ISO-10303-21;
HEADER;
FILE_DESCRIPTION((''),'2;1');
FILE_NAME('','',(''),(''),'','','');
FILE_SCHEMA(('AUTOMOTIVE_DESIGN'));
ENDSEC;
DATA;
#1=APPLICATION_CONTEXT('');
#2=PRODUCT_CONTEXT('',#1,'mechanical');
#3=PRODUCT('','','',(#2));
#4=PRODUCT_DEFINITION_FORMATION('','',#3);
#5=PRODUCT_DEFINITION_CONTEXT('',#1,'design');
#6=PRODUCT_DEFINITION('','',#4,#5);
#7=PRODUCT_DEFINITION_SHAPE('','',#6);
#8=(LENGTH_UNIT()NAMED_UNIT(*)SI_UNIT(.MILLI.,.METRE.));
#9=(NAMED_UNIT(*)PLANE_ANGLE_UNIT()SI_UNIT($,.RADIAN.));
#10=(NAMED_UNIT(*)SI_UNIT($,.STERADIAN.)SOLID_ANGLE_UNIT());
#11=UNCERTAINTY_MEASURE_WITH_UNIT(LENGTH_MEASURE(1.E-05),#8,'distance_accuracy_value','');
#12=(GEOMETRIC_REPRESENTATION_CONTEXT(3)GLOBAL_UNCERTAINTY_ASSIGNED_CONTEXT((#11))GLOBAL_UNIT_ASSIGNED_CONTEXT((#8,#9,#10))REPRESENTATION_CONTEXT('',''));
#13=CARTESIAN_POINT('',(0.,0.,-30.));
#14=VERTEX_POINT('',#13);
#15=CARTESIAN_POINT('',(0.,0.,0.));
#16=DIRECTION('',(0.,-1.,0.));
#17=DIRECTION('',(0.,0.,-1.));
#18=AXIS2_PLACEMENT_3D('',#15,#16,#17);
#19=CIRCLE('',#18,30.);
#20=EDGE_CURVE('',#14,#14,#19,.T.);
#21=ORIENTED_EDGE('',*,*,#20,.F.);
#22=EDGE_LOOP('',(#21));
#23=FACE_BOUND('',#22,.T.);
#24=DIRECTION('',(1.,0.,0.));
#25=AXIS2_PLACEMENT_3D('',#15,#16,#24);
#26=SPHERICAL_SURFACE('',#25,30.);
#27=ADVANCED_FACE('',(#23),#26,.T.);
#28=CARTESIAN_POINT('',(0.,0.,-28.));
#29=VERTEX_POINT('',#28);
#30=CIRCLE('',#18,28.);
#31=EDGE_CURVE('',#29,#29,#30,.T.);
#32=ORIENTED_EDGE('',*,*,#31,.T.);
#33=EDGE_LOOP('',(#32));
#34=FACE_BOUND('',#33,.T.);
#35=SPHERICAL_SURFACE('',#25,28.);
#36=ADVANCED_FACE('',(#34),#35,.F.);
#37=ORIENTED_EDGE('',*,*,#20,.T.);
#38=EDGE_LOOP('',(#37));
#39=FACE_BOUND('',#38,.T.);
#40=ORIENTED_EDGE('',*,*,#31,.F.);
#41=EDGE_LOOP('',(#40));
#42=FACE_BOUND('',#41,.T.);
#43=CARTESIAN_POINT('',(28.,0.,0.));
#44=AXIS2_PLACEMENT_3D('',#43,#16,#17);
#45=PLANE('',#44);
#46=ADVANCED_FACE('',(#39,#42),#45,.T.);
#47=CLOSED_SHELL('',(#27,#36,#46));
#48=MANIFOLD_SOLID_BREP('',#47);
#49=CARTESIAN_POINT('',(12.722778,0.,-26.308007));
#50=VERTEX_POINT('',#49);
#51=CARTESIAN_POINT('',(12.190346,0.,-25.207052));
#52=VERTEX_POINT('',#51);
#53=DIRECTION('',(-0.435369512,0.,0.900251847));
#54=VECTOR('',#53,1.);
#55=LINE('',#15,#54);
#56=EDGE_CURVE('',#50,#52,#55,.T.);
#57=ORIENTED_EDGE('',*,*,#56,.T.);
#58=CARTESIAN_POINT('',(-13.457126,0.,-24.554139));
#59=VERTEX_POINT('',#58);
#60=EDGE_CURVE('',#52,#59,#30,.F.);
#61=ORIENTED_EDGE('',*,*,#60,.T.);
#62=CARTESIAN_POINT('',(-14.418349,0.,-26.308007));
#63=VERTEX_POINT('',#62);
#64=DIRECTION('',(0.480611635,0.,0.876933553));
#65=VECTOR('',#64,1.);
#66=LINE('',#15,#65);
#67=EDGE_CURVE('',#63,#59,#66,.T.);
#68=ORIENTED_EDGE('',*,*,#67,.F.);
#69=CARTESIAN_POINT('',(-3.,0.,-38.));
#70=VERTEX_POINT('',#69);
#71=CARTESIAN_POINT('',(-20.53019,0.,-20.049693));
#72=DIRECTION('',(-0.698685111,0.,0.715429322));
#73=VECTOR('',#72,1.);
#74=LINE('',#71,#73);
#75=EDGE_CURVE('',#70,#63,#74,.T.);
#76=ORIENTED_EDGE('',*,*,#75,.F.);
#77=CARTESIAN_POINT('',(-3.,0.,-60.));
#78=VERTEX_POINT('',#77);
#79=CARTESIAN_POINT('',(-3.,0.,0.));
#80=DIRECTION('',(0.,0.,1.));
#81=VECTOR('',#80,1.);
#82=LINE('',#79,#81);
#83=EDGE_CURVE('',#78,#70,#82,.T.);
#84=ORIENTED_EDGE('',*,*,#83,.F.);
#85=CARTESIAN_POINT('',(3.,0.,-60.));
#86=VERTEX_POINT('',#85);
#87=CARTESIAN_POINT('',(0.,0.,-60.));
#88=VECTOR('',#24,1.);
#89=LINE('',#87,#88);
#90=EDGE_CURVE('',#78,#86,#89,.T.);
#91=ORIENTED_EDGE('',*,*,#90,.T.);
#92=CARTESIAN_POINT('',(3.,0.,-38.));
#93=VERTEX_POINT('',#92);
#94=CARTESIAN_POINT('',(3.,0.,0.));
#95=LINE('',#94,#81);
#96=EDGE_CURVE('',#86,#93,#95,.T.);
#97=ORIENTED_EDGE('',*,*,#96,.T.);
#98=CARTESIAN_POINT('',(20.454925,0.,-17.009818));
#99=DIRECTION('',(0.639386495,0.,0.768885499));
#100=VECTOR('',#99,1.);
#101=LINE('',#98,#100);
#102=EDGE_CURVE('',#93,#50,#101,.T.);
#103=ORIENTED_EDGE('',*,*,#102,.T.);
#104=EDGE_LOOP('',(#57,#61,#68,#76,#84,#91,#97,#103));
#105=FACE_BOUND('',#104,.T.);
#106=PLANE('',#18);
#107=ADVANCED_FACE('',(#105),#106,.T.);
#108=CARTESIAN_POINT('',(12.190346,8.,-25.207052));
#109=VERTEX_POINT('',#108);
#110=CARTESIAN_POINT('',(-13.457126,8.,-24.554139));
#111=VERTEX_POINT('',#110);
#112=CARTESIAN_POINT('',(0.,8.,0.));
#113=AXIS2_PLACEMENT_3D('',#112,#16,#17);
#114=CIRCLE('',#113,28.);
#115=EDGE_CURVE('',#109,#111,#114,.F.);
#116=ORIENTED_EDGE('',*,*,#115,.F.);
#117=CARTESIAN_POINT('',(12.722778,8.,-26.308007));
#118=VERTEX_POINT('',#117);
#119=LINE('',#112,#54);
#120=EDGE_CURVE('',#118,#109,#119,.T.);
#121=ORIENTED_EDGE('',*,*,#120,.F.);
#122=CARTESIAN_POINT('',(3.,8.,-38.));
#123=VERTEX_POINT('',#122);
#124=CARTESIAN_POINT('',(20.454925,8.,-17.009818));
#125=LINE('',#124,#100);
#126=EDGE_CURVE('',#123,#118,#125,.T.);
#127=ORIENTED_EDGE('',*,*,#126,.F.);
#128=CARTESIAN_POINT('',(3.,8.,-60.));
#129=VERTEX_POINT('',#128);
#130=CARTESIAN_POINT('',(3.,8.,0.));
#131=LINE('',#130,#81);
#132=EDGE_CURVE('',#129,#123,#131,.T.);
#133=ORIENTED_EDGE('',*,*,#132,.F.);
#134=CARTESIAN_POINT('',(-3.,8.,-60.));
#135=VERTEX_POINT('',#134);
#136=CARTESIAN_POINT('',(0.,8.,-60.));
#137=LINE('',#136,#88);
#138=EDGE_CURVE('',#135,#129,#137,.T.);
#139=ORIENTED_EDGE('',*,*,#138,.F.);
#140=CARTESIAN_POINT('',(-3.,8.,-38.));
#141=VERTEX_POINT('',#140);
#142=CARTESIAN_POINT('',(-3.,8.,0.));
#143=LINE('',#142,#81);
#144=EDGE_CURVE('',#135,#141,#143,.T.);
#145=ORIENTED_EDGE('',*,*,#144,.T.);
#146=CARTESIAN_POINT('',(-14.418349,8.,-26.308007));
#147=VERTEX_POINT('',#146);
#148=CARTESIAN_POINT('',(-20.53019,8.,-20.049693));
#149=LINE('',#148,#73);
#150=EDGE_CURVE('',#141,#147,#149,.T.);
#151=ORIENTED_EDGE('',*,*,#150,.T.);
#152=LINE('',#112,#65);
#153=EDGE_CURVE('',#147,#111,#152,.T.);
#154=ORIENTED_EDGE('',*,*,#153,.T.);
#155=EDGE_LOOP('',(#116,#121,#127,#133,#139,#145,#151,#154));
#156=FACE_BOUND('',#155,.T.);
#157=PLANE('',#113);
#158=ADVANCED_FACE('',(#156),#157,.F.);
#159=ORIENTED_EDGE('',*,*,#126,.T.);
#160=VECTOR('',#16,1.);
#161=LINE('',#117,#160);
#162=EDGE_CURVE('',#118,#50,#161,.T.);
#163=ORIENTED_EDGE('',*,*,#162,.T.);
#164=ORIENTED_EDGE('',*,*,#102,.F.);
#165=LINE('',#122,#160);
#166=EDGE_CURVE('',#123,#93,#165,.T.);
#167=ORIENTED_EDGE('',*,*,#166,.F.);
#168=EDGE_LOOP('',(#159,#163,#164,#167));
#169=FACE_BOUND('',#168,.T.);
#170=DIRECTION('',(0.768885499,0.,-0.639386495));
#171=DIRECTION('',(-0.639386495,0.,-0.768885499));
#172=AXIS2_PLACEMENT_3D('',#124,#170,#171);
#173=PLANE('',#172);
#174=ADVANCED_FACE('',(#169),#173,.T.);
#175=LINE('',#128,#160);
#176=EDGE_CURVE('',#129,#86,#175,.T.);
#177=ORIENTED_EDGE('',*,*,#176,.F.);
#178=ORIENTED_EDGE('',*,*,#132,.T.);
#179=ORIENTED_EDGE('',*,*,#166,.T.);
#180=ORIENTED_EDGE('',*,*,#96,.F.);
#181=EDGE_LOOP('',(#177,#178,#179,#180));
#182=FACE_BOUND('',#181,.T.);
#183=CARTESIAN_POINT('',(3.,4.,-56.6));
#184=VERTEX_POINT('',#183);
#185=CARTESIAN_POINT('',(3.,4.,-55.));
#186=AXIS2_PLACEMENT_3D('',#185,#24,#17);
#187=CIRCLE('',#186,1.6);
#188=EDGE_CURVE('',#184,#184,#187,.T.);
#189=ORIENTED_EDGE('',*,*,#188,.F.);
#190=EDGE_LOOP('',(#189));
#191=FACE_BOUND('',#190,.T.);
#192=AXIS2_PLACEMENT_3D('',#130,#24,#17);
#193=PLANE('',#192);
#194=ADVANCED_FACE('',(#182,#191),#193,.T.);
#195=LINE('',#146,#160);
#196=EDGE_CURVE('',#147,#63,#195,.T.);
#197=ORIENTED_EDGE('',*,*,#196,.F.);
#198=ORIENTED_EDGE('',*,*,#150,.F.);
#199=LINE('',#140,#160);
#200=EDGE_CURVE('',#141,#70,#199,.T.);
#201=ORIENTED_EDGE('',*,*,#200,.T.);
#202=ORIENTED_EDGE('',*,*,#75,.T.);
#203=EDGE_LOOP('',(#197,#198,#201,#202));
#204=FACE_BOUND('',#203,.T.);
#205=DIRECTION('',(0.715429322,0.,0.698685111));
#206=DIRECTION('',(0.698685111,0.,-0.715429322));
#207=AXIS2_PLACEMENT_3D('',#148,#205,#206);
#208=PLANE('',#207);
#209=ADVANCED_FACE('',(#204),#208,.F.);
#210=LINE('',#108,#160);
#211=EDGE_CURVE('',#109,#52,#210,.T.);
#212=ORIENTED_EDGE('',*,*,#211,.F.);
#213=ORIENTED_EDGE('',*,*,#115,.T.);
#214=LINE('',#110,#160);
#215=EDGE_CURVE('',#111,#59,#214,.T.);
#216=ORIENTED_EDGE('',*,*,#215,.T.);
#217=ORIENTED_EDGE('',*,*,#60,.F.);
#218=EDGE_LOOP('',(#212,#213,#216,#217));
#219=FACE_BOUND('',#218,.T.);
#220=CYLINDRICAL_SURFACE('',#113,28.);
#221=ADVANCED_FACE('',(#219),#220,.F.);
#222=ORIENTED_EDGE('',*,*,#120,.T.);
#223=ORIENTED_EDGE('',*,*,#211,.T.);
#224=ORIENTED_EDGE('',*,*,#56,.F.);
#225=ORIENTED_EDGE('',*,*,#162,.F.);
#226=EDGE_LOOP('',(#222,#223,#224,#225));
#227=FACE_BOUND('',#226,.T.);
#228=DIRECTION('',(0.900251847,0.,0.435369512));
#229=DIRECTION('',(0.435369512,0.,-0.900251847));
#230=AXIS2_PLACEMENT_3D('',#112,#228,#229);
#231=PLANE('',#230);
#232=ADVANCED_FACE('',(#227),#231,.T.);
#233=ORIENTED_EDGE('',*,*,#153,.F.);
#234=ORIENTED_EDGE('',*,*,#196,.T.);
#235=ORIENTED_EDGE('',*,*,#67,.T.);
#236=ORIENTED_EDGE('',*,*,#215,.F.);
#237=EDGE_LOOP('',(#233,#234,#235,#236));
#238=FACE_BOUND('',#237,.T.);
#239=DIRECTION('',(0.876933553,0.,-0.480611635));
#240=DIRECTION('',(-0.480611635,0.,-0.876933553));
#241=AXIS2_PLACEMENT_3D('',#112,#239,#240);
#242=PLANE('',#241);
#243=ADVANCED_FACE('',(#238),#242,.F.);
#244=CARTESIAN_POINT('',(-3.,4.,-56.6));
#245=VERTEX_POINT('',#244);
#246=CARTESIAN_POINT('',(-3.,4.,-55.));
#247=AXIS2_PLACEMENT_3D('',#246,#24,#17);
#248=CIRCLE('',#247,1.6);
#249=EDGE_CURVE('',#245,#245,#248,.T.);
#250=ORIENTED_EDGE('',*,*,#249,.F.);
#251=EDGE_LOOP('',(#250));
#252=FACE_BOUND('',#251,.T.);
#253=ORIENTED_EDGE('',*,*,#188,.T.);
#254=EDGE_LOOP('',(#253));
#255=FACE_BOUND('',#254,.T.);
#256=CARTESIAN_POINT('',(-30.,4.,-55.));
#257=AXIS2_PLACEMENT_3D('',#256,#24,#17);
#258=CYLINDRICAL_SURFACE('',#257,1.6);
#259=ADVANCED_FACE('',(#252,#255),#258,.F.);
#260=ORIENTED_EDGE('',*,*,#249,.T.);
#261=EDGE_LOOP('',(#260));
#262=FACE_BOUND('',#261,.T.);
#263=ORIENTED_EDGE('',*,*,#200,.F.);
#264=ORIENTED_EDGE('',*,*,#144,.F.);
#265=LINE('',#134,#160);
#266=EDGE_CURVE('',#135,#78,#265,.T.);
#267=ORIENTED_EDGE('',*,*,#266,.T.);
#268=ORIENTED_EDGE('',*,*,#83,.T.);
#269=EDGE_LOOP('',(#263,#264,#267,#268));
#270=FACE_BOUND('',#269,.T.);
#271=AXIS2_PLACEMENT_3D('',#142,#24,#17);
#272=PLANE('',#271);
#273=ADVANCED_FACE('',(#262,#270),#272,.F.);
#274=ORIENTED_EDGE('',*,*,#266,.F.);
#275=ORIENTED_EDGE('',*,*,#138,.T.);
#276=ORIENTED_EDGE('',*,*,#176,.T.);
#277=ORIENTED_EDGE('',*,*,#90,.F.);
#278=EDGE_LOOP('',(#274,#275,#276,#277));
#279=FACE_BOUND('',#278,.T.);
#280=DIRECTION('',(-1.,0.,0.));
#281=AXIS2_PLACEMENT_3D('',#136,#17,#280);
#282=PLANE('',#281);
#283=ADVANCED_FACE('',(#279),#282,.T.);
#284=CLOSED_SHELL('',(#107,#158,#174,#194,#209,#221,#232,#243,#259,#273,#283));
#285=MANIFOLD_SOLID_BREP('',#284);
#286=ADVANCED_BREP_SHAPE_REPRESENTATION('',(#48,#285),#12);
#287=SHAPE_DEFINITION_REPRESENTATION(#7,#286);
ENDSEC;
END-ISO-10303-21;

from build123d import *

# Parameters (mm, degrees)
SKETCH3_W           = 6
SKETCH3_H           = 30
BOSS_EXTRUDE1_DEPTH = 8
SKETCH4_R           = 1.6
CUT_EXTRUDE1_DEPTH  = 75.759614766


with BuildPart() as part:
    # Sketch2 → Revolve1 (revolve)
    with BuildSketch(Plane.XY):
        with BuildLine():
            Line((0, 28), (0, 30))
            ThreePointArc((0, 30), (21.213203436, 21.213203436), (30, 0))
            Line((30, 0), (28, 0))
            ThreePointArc((28, 0), (19.798989873, 19.798989873), (0, 28))
        make_face()
    revolve(axis=Axis((0, 0, 0), (0, 1, 0)))


with BuildPart() as body_2:
    # Sketch3 → Boss-Extrude1 (new body)
    with BuildSketch(Plane.XZ):
        with Locations((0, -45)):
            Rectangle(SKETCH3_W, SKETCH3_H)
        with BuildLine():
            Line((-3, -38), (3, -38))
            Line((3, -38), (12.72277757, -26.308006594))
            Line((12.72277757, -26.308006594), (12.190346348, -25.20705171))
            ThreePointArc((12.190346348, -25.20705171), (-0.71257008, -27.990931458), (-13.45712577, -24.554139488))
            Line((-13.45712577, -24.554139488), (-14.41834904, -26.308006594))
            Line((-14.41834904, -26.308006594), (-3, -38))
        make_face()
    extrude(amount=-BOSS_EXTRUDE1_DEPTH)

    # Sketch4 → Cut-Extrude1 (cut, through all)
    with BuildSketch(Plane(origin=(3, 0, 0), x_dir=(0, 0, -1), z_dir=(1, 0, 0))):
        with Locations((55, 4)):
            Circle(SKETCH4_R)
    extrude(amount=-CUT_EXTRUDE1_DEPTH, mode=Mode.SUBTRACT)


solid = Compound([part.part, body_2.part])
